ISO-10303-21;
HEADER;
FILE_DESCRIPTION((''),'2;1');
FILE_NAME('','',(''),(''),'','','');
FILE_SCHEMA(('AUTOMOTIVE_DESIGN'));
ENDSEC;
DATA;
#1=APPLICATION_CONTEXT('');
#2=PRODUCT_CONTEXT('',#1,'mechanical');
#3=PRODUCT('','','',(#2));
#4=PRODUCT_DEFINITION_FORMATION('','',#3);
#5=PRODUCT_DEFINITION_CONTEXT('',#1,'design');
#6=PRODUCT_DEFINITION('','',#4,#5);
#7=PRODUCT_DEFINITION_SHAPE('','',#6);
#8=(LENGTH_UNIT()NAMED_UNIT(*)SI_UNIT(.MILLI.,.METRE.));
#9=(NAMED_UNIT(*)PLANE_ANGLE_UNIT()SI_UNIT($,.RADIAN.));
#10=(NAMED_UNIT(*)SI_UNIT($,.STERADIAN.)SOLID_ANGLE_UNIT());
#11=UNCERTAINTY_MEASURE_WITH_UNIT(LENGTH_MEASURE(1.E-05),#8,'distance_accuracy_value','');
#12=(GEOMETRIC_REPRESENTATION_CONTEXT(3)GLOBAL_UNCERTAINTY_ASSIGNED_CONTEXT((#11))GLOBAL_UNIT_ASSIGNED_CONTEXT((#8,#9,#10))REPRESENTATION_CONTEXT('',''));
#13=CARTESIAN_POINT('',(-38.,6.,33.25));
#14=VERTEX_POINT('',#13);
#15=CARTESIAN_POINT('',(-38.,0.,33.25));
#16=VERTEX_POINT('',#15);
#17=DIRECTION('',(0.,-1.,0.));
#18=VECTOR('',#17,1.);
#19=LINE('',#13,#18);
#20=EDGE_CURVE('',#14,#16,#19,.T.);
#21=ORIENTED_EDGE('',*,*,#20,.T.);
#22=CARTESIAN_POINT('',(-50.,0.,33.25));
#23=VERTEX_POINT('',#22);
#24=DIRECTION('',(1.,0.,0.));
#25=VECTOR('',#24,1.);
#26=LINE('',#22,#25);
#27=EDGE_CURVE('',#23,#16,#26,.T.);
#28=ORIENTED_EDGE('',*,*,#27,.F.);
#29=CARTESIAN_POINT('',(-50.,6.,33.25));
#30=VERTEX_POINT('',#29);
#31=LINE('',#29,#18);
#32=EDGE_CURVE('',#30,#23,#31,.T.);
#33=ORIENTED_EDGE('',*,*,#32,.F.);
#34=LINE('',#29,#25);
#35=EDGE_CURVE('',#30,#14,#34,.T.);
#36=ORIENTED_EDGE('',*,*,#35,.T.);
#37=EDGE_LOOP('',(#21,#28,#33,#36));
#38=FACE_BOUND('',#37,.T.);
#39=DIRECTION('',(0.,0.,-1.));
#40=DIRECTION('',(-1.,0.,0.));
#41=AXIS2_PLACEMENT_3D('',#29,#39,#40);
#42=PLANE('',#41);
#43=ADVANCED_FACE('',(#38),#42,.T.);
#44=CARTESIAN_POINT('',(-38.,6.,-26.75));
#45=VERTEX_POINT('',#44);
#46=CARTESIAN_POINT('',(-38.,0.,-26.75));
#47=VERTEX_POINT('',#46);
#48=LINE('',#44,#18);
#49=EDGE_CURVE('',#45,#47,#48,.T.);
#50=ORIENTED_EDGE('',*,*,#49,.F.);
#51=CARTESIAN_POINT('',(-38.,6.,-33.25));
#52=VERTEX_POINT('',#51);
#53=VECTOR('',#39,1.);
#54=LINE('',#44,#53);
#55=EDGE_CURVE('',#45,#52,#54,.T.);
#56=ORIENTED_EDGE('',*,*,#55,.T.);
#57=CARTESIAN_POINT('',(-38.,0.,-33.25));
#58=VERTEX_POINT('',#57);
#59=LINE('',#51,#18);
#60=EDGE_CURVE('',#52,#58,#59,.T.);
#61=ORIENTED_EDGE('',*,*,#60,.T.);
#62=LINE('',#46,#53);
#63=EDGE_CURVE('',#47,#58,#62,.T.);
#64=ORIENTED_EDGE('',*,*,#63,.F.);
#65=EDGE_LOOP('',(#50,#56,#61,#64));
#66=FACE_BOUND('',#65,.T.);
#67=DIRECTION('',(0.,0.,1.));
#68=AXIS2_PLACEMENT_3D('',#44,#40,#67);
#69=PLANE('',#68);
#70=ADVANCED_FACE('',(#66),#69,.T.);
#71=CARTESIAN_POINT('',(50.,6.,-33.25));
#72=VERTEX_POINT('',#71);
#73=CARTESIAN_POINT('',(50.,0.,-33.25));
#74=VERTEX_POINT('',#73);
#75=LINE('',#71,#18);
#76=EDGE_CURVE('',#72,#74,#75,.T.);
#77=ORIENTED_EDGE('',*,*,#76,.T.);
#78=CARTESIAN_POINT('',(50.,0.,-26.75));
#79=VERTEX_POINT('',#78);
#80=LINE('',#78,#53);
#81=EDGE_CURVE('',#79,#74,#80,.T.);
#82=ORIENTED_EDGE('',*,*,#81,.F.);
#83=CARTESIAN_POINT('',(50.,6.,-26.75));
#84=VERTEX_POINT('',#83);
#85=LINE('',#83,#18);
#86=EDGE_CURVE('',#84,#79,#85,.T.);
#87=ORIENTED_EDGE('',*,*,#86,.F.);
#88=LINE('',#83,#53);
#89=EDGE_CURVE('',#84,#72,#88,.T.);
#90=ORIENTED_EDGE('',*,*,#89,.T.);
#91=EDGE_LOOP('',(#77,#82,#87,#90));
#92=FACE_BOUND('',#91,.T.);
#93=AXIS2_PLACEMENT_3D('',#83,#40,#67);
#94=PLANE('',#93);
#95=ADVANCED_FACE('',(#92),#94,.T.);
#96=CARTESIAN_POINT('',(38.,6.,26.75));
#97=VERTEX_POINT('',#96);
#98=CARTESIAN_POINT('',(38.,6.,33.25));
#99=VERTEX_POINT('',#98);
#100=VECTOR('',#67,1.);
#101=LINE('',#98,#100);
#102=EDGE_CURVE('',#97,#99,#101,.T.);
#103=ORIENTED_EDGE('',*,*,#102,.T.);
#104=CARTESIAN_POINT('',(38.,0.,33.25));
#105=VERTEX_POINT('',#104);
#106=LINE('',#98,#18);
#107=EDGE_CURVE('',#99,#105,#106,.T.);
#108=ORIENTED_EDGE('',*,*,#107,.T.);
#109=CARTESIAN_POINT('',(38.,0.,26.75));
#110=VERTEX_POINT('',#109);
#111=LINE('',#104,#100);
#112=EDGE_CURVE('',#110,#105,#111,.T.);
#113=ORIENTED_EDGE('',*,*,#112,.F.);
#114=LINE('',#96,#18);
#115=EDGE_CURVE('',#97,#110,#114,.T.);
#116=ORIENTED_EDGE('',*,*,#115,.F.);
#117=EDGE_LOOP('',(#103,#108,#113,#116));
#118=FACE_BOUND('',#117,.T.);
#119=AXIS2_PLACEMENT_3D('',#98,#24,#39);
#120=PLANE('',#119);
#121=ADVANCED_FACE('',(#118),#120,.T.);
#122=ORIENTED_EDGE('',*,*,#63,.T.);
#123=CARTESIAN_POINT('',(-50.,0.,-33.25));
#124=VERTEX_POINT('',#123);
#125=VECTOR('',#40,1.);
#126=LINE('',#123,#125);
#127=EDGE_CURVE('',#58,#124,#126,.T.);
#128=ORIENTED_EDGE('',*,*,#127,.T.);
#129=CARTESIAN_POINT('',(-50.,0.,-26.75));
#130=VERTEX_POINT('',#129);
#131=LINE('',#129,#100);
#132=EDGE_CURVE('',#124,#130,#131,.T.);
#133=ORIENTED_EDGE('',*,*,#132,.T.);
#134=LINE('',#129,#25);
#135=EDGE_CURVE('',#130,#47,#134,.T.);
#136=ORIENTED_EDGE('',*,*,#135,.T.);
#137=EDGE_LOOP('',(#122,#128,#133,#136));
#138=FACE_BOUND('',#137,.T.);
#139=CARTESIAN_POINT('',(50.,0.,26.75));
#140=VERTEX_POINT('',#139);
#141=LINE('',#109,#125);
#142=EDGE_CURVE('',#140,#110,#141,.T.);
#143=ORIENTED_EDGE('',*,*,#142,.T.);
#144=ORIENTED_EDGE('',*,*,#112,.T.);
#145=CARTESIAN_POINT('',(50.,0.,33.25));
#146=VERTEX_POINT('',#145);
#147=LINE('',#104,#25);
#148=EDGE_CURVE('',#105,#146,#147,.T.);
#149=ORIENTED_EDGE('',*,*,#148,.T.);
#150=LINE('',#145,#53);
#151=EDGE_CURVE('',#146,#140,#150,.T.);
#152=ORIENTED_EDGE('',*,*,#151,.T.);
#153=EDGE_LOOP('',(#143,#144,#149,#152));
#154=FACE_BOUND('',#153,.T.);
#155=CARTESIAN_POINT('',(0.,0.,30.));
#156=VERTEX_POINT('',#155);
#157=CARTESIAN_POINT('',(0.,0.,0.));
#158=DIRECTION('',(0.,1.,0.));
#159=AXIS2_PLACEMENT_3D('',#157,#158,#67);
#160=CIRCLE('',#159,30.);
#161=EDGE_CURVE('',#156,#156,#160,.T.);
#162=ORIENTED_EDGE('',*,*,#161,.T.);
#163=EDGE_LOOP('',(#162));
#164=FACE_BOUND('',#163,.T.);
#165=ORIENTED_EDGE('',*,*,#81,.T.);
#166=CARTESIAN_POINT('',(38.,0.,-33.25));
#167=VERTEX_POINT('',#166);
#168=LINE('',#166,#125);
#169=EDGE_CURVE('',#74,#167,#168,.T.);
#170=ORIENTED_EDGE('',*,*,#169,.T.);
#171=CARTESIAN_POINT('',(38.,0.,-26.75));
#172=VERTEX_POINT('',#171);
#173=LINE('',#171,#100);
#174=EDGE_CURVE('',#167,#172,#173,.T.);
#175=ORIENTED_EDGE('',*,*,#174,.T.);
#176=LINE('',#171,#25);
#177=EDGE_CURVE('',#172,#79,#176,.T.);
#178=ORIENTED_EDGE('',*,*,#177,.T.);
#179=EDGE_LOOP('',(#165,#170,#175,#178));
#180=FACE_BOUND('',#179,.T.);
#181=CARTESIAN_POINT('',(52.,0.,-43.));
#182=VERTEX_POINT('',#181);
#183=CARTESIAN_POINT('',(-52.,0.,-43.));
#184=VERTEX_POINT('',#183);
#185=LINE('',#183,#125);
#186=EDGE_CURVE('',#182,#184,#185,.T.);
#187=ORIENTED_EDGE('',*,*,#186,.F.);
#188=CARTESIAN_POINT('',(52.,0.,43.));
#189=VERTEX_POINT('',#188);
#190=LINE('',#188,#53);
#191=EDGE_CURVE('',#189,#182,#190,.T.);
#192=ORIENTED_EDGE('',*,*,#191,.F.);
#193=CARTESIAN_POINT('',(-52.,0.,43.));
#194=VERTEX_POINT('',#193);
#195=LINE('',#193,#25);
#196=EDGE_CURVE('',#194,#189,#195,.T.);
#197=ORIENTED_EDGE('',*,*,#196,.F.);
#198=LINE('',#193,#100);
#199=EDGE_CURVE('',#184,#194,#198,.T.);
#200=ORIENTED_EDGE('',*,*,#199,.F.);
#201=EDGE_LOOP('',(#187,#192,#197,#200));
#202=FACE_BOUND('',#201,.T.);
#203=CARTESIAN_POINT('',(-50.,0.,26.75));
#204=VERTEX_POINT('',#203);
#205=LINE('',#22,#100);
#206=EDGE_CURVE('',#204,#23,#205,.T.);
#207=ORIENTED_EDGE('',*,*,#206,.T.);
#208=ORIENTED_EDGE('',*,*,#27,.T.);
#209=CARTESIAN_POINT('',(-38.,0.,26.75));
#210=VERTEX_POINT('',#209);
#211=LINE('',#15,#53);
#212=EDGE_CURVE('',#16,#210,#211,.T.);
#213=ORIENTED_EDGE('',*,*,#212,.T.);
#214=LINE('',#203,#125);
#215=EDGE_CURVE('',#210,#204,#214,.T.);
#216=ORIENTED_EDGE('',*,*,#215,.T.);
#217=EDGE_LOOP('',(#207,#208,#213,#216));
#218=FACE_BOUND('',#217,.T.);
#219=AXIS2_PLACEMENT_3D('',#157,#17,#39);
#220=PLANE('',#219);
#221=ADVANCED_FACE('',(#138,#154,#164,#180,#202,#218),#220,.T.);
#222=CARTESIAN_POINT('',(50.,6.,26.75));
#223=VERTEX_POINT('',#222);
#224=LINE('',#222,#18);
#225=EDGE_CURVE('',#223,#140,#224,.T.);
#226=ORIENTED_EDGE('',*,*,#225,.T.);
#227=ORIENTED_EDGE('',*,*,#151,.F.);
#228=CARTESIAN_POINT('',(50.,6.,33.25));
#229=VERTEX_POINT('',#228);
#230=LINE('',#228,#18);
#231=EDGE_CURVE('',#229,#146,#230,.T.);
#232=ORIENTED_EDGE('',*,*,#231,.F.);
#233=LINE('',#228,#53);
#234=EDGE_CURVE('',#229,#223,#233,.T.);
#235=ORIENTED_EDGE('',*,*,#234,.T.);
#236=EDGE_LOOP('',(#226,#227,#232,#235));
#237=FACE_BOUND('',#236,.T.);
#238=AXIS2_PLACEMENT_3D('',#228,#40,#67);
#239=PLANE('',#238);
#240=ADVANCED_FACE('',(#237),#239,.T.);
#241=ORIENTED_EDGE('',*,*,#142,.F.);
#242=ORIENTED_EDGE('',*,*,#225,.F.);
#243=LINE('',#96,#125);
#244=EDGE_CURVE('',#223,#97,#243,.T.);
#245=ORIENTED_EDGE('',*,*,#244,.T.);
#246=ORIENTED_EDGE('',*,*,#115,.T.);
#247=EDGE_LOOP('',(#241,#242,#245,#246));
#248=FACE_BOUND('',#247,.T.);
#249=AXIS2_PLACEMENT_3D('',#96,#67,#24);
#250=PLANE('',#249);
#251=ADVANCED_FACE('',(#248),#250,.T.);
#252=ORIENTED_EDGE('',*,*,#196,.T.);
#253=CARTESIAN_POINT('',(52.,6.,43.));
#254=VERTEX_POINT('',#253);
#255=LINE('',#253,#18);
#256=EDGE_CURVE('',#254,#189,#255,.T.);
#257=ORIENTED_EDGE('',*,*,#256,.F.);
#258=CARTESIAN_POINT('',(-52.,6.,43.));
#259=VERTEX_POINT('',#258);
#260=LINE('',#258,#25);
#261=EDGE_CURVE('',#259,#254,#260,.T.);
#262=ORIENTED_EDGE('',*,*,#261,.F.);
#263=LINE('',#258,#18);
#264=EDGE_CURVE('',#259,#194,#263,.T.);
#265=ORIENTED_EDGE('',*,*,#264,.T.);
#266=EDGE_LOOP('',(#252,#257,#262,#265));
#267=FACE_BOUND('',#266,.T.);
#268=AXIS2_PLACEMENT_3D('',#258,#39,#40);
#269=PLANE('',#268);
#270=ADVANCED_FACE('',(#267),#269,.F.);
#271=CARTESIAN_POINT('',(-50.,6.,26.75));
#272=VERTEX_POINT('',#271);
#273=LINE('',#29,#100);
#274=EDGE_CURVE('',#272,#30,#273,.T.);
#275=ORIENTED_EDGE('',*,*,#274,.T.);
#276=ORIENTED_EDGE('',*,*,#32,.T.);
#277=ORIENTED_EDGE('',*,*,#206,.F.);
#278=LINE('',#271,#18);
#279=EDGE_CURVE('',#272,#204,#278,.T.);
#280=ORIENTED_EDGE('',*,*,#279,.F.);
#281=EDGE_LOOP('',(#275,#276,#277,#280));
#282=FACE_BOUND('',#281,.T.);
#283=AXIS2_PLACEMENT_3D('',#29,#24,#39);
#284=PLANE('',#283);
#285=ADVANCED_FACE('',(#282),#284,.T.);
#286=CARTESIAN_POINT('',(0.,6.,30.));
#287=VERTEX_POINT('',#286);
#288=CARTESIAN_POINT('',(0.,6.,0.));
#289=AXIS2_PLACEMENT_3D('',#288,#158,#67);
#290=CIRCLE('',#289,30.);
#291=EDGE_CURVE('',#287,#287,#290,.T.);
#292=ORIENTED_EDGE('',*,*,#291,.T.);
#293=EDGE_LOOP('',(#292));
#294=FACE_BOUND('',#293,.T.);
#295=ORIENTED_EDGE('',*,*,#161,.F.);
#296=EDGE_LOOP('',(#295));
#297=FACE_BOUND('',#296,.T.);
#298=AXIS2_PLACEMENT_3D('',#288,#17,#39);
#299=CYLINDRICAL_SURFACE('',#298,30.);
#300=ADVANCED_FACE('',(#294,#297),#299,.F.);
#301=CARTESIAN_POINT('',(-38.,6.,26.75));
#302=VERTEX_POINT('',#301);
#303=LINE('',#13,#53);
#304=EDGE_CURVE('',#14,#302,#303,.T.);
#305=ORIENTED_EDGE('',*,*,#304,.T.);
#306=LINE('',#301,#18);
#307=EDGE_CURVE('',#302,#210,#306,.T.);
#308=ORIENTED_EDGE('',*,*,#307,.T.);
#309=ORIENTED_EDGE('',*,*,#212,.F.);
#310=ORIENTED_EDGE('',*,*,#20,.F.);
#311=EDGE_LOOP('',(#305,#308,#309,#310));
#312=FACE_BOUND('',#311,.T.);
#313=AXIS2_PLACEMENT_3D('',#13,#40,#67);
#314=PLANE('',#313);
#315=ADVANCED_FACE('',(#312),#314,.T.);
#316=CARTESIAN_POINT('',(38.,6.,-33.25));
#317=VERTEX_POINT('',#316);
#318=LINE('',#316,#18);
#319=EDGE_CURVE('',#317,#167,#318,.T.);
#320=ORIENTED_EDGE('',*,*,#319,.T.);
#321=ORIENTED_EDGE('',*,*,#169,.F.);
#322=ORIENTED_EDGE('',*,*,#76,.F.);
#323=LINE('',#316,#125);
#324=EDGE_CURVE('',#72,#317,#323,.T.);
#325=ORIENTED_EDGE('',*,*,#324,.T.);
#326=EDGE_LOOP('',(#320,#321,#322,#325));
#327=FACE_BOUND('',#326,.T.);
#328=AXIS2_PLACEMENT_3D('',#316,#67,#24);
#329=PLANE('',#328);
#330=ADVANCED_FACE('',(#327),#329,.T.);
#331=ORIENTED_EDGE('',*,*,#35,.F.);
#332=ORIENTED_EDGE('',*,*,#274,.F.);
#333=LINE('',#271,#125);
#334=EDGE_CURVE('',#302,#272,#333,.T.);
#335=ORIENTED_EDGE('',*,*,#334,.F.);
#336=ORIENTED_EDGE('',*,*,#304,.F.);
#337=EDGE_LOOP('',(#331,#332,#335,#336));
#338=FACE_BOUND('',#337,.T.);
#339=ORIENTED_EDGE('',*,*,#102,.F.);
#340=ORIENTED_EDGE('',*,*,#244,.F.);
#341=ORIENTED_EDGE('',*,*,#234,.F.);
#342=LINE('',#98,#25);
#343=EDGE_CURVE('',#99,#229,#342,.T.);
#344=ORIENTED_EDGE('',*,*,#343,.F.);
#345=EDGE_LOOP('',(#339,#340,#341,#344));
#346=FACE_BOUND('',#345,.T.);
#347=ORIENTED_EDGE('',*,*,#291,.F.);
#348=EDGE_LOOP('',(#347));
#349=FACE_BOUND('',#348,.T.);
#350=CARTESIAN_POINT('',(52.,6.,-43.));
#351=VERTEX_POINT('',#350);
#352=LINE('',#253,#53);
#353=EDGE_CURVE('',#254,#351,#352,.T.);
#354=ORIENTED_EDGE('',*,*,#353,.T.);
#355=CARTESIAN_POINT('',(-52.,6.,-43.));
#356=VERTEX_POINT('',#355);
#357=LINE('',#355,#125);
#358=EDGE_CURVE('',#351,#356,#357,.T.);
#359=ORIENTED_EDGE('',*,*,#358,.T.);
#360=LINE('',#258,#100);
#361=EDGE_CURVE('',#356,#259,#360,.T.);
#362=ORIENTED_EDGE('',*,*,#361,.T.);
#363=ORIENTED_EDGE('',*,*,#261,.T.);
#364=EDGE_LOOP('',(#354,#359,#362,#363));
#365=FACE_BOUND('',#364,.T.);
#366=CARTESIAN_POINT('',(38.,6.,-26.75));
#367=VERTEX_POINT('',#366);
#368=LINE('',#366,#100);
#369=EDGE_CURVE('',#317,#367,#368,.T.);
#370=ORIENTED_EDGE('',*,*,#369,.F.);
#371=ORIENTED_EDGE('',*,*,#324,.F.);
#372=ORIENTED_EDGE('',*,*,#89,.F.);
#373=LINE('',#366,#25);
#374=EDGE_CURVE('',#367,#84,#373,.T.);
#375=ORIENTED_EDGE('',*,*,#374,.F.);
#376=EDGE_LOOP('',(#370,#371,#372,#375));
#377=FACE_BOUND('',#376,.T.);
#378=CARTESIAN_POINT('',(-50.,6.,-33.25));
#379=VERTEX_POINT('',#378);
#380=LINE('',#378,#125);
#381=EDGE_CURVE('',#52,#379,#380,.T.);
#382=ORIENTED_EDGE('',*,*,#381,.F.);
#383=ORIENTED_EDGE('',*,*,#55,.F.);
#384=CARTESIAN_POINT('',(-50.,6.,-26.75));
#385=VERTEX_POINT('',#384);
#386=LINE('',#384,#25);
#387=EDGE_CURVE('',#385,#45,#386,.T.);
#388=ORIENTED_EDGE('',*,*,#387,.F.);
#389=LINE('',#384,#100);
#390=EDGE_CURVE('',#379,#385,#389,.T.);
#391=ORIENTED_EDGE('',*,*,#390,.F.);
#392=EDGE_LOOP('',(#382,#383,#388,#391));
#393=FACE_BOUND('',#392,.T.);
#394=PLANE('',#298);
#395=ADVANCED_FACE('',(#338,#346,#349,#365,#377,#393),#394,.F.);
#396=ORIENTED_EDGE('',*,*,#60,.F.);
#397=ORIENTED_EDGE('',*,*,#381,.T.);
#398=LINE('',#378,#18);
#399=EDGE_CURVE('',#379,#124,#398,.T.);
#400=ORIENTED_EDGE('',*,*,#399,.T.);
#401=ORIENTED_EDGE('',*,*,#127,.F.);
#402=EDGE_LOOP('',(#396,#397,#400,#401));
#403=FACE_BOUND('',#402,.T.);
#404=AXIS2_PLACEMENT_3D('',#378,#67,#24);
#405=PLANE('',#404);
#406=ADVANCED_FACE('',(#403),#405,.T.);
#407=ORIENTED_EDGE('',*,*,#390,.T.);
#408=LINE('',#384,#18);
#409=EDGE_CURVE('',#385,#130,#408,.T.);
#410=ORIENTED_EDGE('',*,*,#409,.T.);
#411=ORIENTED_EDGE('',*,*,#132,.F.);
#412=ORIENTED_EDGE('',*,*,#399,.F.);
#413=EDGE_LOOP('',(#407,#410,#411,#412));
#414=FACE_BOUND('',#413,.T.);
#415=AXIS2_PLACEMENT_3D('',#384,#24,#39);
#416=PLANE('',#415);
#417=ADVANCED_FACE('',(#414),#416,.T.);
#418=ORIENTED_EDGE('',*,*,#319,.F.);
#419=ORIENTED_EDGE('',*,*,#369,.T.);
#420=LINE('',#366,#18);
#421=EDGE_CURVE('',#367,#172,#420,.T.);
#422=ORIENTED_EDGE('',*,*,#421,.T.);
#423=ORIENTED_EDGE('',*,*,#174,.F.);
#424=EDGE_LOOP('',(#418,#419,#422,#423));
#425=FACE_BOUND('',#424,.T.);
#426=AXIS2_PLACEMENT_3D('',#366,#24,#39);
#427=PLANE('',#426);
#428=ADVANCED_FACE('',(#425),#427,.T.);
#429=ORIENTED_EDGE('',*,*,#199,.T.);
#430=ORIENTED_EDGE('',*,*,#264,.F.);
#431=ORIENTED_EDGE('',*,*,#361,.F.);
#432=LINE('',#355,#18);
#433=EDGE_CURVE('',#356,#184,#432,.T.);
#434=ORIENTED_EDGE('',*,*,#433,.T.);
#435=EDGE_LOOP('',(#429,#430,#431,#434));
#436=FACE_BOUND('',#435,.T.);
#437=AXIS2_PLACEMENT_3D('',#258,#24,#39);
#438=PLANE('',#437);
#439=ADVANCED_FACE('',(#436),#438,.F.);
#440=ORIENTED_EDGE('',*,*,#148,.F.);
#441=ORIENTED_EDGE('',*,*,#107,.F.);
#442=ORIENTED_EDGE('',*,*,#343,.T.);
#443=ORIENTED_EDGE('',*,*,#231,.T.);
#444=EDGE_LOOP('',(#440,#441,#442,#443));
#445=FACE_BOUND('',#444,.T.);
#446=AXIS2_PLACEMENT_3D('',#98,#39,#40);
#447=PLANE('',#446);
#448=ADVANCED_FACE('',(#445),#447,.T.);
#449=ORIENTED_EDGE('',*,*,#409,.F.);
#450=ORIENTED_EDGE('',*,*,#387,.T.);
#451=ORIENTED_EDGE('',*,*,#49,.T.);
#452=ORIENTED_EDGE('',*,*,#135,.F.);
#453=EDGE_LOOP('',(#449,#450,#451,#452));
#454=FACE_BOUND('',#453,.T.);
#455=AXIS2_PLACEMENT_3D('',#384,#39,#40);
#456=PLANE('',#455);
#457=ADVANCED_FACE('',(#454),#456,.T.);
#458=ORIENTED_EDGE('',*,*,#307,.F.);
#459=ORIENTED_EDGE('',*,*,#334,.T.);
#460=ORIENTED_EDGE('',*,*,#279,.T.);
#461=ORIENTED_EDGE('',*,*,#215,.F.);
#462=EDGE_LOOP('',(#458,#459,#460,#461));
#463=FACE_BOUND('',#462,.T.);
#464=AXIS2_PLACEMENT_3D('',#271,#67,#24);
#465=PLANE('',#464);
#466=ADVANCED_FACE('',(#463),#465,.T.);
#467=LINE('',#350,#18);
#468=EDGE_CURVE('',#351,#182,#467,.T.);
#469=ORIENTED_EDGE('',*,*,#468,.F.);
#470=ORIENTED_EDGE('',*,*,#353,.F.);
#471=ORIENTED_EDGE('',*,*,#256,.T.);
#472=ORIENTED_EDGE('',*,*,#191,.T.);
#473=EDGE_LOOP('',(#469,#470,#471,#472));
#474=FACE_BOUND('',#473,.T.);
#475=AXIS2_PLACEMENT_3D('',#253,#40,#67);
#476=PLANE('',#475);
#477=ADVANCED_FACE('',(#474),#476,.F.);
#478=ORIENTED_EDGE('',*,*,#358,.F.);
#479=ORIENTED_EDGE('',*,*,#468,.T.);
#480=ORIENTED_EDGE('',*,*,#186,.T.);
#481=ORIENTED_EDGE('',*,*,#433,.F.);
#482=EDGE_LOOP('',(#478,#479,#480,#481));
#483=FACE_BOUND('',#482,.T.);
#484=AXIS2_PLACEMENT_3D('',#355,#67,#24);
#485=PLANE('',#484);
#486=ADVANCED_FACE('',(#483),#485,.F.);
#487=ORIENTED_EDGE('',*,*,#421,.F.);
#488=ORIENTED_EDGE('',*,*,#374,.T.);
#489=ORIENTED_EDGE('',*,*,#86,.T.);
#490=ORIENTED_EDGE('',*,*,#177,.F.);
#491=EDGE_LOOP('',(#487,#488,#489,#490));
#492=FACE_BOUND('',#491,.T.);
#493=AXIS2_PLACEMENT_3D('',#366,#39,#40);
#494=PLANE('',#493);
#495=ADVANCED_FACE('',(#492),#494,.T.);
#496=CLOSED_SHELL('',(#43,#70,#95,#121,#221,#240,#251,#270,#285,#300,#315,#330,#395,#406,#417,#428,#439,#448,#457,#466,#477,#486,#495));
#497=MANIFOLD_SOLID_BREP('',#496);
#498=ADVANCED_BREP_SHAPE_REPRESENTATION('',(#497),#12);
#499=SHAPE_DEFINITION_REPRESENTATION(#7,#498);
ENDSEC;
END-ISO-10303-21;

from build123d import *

# Parameters (mm, degrees)
SKETCH1_W                = 104
SKETCH1_H                = 86
SKETCH1_R                = 30
SKETCH1_W_2              = 12
SKETCH1_H_2              = 6.5
MOTOR_CRADLE_PLATE_DEPTH = 6


with BuildPart() as part:
    # Sketch1 → Motor_Cradle_Plate (new body)
    with BuildSketch(Plane(origin=(0, 0, 0), x_dir=(1, 0, 0), z_dir=(0, 1, 0))):
        Rectangle(SKETCH1_W, SKETCH1_H)
        with Locations(Location((0, 0, 0), (0, 0, 270))):
            Circle(SKETCH1_R, mode=Mode.SUBTRACT)
        with Locations((-44, -30)):
            Rectangle(SKETCH1_W_2, SKETCH1_H_2, mode=Mode.SUBTRACT)
        with Locations((-44, 30)):
            Rectangle(SKETCH1_W_2, SKETCH1_H_2, mode=Mode.SUBTRACT)
        with Locations((44, -30)):
            Rectangle(SKETCH1_W_2, SKETCH1_H_2, mode=Mode.SUBTRACT)
        with Locations((44, 30)):
            Rectangle(SKETCH1_W_2, SKETCH1_H_2, mode=Mode.SUBTRACT)
    extrude(amount=MOTOR_CRADLE_PLATE_DEPTH)


solid = part.part
